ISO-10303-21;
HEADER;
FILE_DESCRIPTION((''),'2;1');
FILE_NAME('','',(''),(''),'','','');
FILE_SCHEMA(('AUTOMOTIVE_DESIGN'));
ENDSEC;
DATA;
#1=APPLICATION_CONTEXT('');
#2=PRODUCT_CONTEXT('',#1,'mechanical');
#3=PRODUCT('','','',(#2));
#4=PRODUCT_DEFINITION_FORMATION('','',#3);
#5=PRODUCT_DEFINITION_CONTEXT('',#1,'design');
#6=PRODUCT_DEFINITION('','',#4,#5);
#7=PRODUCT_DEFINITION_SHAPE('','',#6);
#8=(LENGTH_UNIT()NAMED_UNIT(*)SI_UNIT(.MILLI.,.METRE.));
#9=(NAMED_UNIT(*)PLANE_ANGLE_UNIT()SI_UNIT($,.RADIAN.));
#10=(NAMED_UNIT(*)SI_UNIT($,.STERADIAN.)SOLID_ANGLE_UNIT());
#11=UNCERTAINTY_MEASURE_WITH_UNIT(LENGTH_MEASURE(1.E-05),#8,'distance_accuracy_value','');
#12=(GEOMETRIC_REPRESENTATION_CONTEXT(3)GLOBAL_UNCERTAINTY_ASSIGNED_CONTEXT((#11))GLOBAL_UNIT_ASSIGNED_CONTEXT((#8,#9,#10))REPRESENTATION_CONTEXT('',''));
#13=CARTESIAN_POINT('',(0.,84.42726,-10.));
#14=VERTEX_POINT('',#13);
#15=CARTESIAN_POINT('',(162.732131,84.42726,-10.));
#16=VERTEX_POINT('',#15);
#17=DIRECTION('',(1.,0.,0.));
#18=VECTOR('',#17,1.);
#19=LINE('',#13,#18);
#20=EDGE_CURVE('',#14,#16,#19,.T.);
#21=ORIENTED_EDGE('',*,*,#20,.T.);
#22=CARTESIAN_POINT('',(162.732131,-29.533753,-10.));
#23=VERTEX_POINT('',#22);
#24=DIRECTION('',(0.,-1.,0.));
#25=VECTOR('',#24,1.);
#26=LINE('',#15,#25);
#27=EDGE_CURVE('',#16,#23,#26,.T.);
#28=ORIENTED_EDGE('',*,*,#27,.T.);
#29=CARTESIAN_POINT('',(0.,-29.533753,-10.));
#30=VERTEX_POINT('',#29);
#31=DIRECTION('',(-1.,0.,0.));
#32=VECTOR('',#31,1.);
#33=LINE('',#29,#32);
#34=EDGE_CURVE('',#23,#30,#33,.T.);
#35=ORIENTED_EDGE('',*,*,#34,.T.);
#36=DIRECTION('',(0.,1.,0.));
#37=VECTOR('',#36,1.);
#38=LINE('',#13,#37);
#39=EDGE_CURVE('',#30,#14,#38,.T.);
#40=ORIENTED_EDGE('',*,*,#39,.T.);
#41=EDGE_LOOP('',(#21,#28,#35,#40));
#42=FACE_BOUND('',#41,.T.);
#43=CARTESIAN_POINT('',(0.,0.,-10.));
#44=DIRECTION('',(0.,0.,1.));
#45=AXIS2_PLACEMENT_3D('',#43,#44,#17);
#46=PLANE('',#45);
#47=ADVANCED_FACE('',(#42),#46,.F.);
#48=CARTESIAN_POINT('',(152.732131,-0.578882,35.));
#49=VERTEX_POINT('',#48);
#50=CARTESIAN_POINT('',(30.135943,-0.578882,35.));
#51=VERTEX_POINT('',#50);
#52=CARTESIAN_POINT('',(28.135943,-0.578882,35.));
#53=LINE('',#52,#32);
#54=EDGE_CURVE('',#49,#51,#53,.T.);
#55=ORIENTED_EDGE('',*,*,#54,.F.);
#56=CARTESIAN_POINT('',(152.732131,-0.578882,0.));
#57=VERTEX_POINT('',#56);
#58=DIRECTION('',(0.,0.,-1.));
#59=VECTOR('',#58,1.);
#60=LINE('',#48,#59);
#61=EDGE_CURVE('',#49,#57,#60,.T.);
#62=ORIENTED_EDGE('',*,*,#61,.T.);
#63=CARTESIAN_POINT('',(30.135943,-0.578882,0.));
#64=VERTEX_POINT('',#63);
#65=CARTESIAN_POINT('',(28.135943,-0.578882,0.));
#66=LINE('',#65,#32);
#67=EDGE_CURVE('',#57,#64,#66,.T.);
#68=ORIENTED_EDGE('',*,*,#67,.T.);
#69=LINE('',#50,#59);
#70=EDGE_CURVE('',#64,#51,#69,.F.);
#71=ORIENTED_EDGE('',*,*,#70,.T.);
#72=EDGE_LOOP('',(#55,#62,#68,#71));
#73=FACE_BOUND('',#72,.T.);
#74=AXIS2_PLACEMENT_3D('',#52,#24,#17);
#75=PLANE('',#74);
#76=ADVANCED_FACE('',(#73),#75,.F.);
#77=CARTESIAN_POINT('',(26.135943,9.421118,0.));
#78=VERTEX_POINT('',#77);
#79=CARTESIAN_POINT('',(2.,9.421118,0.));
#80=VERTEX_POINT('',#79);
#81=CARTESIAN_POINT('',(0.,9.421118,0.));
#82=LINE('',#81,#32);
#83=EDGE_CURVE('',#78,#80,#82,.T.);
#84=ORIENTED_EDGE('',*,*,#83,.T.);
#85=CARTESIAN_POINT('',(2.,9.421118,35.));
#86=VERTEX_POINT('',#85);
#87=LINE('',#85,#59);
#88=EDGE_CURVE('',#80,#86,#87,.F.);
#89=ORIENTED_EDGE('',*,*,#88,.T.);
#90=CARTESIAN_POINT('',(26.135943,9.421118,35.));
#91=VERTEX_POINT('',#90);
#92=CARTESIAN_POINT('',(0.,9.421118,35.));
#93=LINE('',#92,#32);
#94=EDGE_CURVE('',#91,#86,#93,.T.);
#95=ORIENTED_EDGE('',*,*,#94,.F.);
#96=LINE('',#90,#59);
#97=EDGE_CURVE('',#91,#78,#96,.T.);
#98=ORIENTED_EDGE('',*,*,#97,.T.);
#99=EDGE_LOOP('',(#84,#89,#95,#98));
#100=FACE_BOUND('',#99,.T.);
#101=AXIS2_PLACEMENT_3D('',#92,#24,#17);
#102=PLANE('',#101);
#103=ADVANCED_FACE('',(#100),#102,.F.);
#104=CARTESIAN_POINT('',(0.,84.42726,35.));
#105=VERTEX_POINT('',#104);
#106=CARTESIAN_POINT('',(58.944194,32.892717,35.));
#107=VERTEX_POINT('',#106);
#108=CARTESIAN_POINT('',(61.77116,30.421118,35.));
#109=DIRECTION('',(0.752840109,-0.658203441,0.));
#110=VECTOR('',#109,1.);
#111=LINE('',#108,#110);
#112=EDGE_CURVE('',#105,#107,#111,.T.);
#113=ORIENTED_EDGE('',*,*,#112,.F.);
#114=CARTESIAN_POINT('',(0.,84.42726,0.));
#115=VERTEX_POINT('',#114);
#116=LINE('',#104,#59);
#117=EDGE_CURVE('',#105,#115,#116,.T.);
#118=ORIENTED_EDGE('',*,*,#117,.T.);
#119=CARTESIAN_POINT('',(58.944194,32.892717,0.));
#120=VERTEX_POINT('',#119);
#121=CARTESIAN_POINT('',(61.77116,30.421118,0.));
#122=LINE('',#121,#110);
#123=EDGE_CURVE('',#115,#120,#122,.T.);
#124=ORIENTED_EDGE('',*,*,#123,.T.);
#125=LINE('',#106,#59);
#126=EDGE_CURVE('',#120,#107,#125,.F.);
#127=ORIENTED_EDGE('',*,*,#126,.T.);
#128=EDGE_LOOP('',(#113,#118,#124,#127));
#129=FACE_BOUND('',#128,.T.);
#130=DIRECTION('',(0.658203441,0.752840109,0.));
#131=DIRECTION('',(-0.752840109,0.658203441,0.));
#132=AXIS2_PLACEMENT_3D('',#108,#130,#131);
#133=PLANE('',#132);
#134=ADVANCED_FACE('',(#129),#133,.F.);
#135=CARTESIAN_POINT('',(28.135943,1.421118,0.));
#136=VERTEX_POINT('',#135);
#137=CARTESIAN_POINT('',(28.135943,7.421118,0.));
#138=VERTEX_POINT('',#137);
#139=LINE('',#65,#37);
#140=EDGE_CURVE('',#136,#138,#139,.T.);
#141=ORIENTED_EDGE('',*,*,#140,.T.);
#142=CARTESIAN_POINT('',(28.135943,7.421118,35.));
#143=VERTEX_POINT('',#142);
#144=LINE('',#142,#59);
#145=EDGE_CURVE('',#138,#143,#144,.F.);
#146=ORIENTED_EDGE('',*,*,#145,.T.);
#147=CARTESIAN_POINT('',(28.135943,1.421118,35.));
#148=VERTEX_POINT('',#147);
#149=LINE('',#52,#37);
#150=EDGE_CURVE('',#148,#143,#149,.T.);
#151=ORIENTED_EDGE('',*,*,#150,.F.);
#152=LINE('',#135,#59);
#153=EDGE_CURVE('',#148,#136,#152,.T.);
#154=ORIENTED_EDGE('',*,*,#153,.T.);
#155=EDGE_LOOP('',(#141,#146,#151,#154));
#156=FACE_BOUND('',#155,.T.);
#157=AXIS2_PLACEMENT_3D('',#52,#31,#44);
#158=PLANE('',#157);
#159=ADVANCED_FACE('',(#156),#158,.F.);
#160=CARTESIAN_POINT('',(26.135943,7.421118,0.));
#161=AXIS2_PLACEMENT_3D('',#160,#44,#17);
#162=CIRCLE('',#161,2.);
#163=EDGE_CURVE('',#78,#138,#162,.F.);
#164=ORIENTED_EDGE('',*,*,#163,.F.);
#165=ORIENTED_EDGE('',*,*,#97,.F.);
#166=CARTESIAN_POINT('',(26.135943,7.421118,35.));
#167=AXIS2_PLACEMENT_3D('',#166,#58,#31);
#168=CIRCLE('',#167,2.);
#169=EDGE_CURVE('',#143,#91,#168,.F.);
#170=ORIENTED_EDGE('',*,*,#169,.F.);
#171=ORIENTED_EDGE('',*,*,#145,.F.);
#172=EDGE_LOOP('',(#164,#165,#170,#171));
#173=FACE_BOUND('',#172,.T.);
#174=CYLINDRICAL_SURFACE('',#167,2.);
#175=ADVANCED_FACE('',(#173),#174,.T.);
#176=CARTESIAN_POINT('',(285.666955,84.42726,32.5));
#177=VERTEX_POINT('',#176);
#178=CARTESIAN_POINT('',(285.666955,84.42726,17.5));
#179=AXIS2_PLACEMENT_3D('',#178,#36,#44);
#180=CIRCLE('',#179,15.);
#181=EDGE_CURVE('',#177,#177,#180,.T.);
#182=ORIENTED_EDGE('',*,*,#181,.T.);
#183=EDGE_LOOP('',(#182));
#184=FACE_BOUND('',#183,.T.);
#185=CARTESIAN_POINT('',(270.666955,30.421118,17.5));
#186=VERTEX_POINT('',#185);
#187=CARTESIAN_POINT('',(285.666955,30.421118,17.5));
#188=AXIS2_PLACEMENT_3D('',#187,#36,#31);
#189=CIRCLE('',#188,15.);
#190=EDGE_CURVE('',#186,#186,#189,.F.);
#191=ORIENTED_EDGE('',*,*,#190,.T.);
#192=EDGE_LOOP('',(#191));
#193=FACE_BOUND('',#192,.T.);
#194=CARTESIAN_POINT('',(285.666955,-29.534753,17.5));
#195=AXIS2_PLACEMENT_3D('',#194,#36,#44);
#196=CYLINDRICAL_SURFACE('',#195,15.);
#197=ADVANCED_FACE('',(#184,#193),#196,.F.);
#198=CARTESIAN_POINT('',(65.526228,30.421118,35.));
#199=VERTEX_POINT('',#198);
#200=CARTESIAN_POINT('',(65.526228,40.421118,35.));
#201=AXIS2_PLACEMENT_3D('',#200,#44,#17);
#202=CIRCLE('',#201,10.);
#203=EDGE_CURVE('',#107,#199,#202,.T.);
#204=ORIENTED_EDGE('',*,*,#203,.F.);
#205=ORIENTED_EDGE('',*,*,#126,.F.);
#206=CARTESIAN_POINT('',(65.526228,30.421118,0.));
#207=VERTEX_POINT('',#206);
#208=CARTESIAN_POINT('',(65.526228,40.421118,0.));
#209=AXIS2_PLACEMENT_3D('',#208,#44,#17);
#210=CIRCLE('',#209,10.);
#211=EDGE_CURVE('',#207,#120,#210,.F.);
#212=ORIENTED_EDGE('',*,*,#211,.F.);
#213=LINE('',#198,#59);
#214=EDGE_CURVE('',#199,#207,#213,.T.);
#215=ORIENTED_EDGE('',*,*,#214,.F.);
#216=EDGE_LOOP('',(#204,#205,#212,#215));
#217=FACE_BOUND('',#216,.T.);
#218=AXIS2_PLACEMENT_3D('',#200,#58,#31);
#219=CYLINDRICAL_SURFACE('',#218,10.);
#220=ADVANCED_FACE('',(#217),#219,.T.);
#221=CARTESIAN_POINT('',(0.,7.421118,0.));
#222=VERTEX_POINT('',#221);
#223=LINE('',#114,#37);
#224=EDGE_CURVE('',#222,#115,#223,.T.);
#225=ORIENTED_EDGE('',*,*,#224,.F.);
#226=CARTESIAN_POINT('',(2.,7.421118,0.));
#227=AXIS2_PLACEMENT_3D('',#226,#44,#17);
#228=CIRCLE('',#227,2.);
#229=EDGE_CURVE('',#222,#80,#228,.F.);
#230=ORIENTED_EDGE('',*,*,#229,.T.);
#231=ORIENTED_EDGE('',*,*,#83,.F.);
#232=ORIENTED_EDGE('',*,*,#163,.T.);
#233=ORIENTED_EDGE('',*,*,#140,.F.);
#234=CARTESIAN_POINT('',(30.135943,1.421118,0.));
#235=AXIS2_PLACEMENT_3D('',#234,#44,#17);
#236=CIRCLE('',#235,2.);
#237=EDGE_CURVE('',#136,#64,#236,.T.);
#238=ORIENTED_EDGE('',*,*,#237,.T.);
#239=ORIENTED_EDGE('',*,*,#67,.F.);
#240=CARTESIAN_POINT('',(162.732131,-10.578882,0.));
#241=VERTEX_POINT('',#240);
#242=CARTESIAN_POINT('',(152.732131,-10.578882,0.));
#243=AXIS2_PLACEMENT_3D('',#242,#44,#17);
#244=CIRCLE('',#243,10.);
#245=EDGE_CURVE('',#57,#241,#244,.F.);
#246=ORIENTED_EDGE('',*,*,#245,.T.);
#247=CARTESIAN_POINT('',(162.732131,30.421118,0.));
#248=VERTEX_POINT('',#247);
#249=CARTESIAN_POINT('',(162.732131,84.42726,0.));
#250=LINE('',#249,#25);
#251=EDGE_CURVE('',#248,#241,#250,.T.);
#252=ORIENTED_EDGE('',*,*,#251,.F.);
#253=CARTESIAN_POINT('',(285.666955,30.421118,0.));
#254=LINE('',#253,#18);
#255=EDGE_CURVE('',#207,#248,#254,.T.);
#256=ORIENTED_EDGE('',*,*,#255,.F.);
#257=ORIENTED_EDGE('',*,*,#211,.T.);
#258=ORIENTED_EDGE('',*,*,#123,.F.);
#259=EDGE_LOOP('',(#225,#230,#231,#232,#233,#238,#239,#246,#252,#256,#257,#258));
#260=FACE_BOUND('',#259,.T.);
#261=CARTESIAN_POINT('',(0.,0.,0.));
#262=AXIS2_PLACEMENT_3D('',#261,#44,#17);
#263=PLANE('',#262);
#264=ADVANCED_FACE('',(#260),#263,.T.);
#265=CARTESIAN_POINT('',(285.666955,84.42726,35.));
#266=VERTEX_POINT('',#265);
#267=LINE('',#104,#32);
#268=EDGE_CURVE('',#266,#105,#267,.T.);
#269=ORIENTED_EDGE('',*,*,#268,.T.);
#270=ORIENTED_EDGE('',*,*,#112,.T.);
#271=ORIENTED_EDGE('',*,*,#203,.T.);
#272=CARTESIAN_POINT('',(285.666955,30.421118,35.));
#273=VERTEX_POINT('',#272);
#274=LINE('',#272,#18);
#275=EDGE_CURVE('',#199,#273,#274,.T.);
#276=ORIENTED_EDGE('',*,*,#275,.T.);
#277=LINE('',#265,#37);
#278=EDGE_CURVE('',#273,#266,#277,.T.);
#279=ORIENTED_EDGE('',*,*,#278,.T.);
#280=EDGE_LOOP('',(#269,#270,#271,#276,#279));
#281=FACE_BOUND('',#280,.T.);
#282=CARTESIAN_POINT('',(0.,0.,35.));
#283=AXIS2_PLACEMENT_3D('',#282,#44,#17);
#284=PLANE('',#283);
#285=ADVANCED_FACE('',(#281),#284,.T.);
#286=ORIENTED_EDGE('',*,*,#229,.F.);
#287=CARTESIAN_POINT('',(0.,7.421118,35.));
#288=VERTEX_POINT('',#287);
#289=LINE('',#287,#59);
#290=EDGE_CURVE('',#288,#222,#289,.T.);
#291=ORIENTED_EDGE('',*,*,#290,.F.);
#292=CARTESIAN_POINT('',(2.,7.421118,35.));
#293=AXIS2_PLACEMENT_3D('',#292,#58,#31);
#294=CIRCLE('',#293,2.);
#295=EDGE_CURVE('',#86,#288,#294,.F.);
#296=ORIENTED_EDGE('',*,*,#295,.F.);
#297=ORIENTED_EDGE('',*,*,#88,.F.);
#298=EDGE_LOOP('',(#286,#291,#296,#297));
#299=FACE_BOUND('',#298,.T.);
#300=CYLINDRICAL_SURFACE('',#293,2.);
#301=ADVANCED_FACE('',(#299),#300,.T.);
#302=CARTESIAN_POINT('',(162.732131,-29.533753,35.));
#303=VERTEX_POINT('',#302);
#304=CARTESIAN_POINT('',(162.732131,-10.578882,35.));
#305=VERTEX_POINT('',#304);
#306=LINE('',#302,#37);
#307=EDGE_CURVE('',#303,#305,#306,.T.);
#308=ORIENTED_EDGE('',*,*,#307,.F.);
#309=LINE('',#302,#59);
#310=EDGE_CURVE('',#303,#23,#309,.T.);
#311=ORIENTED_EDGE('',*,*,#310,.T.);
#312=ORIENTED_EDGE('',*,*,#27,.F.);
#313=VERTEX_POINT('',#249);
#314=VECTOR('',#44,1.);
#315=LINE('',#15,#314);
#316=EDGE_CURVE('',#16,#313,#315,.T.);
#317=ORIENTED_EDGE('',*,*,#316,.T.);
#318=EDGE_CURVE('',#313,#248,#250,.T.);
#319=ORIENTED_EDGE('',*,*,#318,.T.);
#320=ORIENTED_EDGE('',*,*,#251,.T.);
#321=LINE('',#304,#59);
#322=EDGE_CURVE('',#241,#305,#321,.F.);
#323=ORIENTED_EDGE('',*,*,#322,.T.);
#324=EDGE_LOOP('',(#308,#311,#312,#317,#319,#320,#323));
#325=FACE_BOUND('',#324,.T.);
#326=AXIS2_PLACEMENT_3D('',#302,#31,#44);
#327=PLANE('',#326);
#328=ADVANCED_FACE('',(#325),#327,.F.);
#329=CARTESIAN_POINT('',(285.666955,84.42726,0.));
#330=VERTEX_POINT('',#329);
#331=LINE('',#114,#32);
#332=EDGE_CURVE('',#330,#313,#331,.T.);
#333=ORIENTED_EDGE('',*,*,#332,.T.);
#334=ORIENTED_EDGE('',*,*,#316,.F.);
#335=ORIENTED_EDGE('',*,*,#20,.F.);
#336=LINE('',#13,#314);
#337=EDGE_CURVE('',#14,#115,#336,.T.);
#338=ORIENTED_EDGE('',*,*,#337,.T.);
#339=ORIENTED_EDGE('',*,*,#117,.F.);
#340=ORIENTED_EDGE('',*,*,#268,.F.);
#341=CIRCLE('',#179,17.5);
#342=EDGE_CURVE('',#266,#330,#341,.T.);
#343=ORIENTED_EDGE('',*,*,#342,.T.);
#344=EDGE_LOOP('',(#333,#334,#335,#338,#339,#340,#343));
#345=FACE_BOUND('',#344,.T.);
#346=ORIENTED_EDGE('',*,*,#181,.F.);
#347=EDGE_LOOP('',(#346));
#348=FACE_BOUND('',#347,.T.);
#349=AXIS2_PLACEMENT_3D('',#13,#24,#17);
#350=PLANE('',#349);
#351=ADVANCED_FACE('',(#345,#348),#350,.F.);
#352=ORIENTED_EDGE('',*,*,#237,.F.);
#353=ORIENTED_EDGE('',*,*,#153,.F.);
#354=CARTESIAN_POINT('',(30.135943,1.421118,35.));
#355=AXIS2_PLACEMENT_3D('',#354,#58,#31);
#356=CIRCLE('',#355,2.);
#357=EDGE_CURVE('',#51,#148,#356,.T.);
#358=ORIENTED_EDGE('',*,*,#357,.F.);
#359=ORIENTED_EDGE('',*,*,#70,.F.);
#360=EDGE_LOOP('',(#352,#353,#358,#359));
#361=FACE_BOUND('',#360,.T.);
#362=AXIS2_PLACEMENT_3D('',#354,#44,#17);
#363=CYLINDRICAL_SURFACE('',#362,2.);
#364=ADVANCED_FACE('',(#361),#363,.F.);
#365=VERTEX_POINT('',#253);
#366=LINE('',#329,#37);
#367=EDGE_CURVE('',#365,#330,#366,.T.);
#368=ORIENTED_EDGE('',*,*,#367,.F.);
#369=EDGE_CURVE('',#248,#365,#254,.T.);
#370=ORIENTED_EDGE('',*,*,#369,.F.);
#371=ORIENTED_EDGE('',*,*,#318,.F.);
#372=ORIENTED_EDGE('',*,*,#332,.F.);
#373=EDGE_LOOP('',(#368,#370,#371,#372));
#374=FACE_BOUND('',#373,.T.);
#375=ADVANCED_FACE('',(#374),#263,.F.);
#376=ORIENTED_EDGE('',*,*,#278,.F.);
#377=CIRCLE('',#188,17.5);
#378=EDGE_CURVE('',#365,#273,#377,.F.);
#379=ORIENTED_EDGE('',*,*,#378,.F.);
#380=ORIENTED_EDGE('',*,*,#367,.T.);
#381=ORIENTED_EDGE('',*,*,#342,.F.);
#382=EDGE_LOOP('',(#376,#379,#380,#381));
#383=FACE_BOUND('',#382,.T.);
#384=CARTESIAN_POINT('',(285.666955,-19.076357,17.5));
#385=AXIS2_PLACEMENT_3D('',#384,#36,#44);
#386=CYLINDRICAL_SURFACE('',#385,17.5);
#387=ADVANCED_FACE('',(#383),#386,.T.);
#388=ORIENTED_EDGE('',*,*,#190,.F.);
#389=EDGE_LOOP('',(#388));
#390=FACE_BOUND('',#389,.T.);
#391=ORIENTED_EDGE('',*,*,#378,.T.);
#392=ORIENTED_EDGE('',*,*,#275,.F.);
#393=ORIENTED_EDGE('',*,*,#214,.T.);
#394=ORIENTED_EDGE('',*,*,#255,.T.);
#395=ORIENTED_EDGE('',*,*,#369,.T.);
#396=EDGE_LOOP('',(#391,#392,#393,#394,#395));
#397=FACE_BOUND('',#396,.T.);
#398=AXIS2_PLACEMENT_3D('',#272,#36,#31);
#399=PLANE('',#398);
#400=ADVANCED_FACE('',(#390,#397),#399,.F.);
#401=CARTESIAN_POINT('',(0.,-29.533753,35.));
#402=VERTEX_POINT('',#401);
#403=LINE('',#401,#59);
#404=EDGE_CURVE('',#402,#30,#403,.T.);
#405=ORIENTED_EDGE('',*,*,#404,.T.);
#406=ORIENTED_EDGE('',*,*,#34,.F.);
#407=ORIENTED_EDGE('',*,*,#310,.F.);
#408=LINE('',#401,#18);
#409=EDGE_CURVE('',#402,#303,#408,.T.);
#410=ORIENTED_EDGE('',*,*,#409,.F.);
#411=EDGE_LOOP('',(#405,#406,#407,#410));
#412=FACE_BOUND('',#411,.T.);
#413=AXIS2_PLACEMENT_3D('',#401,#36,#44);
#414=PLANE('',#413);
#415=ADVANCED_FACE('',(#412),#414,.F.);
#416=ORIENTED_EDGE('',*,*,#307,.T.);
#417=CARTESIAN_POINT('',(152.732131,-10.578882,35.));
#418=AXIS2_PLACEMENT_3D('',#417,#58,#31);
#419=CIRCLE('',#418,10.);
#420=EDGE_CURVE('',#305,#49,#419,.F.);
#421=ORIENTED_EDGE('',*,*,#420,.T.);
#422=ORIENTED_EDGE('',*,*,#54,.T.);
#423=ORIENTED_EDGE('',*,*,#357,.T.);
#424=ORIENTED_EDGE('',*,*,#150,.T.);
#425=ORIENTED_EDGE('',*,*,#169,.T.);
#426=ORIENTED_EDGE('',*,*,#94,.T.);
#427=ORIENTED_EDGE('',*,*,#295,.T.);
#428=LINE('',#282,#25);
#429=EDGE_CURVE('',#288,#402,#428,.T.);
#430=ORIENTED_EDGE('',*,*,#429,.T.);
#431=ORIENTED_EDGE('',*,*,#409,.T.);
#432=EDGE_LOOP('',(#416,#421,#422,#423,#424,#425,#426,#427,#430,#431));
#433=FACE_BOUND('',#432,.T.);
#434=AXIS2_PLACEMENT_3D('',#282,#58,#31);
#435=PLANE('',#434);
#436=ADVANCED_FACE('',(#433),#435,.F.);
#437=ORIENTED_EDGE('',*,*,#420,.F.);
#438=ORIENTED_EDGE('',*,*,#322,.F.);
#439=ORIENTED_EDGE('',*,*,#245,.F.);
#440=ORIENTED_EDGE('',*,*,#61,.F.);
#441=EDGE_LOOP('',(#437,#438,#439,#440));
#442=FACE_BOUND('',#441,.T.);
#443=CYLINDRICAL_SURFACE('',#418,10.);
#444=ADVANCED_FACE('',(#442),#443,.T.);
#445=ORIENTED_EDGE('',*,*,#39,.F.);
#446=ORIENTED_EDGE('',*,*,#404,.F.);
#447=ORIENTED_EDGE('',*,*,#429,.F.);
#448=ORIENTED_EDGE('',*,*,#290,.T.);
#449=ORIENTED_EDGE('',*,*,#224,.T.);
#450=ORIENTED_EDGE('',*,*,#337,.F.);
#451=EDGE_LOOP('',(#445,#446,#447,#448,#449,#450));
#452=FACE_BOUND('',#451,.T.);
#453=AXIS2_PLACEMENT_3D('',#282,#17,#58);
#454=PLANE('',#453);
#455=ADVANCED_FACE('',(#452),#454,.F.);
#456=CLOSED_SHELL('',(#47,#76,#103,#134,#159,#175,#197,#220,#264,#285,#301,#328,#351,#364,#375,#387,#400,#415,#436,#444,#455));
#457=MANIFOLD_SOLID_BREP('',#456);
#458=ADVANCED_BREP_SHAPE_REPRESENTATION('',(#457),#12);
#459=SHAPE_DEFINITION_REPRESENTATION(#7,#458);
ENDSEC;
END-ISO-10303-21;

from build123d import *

# Parameters (mm, degrees)
BOSS_EXTRUDE1_DEPTH   = 35
BOSS_EXTRUDE1_2_DEPTH = 35
SKETCH2_W             = 162.732130767
SKETCH2_H             = 113.961013526
BOSS_EXTRUDE2_DEPTH   = 10
SKETCH3_R             = 17.5
BOSS_EXTRUDE3_DEPTH   = 54.006142336
CUT_EXTRUDE2_REACH    = 327.764
SKETCH4_R             = 15
FILLET1_R             = 2
FILLET2_R             = 10


with BuildPart() as part:
    # Sketch1 → Boss-Extrude1 (new body)
    with BuildSketch(Plane.XY):
        Polygon((285.66695455, 30.421117945), (61.771160065, 30.421117945), (0, 84.427260281), (285.66695455, 84.427260281), align=None)
    extrude(amount=BOSS_EXTRUDE1_DEPTH)



with BuildPart() as body_2:
    # Sketch1 → Boss-Extrude1 2 (new body)
    with BuildSketch(Plane.XY):
        Polygon((28.135943206, -0.578882055), (162.732130767, -0.578882055), (162.732130767, -29.533753245), (0, -29.533753245), (0, 0), (0, 9.421117945), (28.135943206, 9.421117945), align=None)
    extrude(amount=BOSS_EXTRUDE1_2_DEPTH)


with BuildPart() as part_1:
    add(part.part)

    add(body_2.part)  # Boss-Extrude2 merges body 2
    # Sketch2 → Boss-Extrude2 (add)
    with BuildSketch(Plane(origin=(0, 0, 0), x_dir=(-1, 0, 0), z_dir=(0, 0, -1))):
        with Locations((-81.366065384, 27.446753518)):
            Rectangle(SKETCH2_W, SKETCH2_H)
    extrude(amount=BOSS_EXTRUDE2_DEPTH)

    # Sketch3 → Boss-Extrude3 (add)
    with BuildSketch(Plane(origin=(0, 84.427260281, 0), x_dir=(1, 0, 0), z_dir=(0, 1, 0))):
        with Locations((285.66695455, -17.5)):
            Circle(SKETCH3_R)
    extrude(amount=-BOSS_EXTRUDE3_DEPTH)

    # Sketch4 → Cut-Extrude2 (cut, up to next)
    with BuildSketch(Plane(origin=(0, 84.427260281, 0), x_dir=(1, 0, 0), z_dir=(0, 1, 0)), mode=Mode.PRIVATE) as cut_extrude2_sk1:
        with Locations(Location((285.66695455, -17.5, 0), (0, 0, 270))):
            Circle(SKETCH4_R)
    cut_extrude2_tool1 = extrude(cut_extrude2_sk1.sketch, amount=-CUT_EXTRUDE2_REACH, mode=Mode.PRIVATE) & part_1.part
    add(cut_extrude2_tool1.solids().sort_by_distance((285.666955, 84.42726, 17.5))[0], mode=Mode.SUBTRACT)

    # Fillet1
    fillet1_edges = [part_1.edges().sort_by_distance(p)[0] for p in [
        (0, 9.421117945, 17.5),
        (28.135943206, 9.421117945, 17.5),
        (28.135943206, -0.578882055, 17.5),
    ]]
    fillet(fillet1_edges, radius=FILLET1_R)

    # Fillet2
    fillet2_edges = [part_1.edges().sort_by_distance(p)[0] for p in [
        (162.732130767, -0.578882055, 17.5),
        (61.771160065, 30.421117945, 17.5),
    ]]
    fillet(fillet2_edges, radius=FILLET2_R)


solid = part_1.part
